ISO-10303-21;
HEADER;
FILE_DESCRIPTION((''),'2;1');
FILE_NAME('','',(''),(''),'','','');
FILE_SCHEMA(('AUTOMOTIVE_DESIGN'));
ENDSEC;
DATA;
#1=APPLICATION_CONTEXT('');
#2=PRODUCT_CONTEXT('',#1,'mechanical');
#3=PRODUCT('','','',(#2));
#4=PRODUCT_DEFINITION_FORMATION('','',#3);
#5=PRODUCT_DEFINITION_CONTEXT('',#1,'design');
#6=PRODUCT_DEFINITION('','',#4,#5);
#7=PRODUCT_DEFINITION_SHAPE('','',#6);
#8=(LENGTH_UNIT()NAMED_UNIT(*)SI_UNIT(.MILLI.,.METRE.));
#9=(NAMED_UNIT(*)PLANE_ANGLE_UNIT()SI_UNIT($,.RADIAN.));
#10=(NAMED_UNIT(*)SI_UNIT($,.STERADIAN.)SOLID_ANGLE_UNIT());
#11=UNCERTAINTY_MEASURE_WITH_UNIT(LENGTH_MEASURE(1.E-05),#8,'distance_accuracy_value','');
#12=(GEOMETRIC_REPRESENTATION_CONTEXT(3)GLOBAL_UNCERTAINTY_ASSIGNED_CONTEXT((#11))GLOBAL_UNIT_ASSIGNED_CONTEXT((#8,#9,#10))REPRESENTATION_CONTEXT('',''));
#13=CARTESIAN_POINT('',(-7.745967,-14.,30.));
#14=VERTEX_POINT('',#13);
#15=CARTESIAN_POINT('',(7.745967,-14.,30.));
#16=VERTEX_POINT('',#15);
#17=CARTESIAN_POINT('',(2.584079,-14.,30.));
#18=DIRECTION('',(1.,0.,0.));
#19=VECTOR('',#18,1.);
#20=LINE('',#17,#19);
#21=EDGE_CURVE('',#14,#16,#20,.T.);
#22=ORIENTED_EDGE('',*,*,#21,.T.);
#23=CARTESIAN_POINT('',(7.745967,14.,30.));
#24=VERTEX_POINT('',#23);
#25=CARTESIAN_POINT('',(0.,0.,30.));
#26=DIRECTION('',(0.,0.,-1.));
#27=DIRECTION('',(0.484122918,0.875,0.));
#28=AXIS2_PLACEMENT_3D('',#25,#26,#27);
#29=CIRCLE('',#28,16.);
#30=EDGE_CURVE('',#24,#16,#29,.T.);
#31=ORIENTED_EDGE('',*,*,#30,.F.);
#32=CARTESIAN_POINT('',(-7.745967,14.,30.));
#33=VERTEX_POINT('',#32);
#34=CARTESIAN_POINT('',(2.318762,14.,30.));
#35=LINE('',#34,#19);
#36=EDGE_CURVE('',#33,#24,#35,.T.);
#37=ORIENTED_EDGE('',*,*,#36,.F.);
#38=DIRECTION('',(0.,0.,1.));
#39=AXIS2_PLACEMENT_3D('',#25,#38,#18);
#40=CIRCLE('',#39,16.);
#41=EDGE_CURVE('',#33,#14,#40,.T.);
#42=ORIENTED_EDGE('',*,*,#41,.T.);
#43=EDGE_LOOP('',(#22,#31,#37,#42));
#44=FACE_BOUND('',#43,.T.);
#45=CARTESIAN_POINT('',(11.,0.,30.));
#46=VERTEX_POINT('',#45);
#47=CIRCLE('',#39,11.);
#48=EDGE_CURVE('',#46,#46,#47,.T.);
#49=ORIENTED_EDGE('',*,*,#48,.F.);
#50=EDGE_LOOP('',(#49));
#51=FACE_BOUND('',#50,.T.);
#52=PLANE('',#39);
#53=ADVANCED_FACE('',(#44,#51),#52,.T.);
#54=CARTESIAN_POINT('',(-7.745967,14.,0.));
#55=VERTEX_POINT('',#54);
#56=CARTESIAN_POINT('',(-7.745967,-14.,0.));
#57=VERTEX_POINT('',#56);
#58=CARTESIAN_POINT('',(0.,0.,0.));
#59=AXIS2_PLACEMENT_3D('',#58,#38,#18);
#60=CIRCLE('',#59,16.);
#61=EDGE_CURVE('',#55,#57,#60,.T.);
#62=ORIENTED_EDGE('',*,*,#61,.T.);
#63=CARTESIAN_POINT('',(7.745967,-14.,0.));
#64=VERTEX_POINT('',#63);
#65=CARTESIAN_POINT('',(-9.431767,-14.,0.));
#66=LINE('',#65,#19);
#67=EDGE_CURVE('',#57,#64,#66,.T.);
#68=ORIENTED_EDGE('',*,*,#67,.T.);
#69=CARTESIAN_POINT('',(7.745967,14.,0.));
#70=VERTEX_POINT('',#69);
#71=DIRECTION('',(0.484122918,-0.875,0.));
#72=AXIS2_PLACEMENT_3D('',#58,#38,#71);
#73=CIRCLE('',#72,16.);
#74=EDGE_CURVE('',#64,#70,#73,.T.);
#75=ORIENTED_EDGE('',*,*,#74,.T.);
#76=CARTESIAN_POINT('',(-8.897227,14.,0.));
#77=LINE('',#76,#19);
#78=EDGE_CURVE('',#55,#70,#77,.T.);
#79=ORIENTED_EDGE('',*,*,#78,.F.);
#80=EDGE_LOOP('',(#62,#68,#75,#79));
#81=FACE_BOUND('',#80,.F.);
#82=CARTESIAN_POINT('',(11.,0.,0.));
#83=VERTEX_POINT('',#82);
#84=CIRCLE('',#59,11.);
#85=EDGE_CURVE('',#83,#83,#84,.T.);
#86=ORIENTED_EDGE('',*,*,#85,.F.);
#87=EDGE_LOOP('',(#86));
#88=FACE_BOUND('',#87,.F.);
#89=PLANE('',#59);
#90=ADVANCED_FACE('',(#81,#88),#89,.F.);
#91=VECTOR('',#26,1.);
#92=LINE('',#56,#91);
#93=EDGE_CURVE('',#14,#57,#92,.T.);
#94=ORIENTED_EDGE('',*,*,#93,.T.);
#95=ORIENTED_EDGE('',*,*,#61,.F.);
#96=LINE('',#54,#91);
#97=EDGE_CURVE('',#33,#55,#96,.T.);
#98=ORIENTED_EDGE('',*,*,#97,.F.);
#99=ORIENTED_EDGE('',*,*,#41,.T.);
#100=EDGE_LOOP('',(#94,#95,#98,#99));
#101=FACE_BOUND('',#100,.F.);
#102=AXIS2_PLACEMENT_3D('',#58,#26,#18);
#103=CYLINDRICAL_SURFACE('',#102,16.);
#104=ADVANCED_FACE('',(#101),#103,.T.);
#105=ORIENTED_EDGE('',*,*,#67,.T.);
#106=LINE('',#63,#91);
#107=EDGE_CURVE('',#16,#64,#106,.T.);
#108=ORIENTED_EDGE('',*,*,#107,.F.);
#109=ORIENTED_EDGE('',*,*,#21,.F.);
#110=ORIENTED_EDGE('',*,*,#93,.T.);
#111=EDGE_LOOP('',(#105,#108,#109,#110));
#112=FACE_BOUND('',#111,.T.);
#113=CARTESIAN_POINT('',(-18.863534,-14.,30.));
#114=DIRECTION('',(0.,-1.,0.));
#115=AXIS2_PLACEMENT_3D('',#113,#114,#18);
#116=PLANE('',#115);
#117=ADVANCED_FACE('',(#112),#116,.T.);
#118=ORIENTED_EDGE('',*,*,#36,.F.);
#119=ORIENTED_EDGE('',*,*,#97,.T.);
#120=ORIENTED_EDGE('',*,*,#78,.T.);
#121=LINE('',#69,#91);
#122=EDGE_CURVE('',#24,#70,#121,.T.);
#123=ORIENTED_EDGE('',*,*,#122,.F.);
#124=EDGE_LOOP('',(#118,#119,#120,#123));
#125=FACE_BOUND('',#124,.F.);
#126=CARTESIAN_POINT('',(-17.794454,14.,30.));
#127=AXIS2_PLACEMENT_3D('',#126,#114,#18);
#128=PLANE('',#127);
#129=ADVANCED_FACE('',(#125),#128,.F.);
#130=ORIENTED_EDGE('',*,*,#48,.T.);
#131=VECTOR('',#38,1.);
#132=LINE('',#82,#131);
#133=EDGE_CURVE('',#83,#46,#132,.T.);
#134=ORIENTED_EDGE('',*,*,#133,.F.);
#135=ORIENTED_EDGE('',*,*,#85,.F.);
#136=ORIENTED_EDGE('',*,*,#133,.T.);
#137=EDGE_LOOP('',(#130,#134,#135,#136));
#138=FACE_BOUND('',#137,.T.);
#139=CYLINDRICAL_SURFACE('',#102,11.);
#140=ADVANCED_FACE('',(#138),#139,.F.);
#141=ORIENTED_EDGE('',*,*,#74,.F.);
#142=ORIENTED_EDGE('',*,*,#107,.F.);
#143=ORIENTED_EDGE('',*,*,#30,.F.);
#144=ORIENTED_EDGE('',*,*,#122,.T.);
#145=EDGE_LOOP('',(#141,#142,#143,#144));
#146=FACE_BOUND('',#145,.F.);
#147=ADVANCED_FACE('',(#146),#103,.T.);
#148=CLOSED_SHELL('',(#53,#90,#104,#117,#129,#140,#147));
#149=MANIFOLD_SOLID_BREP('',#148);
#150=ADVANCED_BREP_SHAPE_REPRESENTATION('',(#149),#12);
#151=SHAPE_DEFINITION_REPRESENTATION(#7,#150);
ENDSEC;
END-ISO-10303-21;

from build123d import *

# Parameters (mm, degrees)
SCHIZZO2_R                   = 16
SCHIZZO2_R_2                 = 11
ESTRUSIONE_ESTRUSIONE1_DEPTH = 30
SCHIZZO3_W                   = 40.226432455
SCHIZZO3_H                   = 6.242620643
SCHIZZO3_W_2                 = 42.895225343
SCHIZZO3_H_2                 = 8.147240474
TAGLIO_ESTRUSIONE1_DEPTH     = 31


with BuildPart() as part:
    # Schizzo2 → Estrusione-Estrusione1 (new body)
    with BuildSketch(Plane.XY):
        Circle(SCHIZZO2_R)
        Circle(SCHIZZO2_R_2, mode=Mode.SUBTRACT)
    extrude(amount=ESTRUSIONE_ESTRUSIONE1_DEPTH)

    # Schizzo3 → Taglio-Estrusione1 (cut, through all)
    with BuildSketch(Plane.XY.offset(30)):
        with Locations((2.318761875, 17.121310322)):
            Rectangle(SCHIZZO3_W, SCHIZZO3_H)
        with Locations((2.584078566, -18.073620237)):
            Rectangle(SCHIZZO3_W_2, SCHIZZO3_H_2)
    extrude(amount=-TAGLIO_ESTRUSIONE1_DEPTH, mode=Mode.SUBTRACT)


solid = part.part
